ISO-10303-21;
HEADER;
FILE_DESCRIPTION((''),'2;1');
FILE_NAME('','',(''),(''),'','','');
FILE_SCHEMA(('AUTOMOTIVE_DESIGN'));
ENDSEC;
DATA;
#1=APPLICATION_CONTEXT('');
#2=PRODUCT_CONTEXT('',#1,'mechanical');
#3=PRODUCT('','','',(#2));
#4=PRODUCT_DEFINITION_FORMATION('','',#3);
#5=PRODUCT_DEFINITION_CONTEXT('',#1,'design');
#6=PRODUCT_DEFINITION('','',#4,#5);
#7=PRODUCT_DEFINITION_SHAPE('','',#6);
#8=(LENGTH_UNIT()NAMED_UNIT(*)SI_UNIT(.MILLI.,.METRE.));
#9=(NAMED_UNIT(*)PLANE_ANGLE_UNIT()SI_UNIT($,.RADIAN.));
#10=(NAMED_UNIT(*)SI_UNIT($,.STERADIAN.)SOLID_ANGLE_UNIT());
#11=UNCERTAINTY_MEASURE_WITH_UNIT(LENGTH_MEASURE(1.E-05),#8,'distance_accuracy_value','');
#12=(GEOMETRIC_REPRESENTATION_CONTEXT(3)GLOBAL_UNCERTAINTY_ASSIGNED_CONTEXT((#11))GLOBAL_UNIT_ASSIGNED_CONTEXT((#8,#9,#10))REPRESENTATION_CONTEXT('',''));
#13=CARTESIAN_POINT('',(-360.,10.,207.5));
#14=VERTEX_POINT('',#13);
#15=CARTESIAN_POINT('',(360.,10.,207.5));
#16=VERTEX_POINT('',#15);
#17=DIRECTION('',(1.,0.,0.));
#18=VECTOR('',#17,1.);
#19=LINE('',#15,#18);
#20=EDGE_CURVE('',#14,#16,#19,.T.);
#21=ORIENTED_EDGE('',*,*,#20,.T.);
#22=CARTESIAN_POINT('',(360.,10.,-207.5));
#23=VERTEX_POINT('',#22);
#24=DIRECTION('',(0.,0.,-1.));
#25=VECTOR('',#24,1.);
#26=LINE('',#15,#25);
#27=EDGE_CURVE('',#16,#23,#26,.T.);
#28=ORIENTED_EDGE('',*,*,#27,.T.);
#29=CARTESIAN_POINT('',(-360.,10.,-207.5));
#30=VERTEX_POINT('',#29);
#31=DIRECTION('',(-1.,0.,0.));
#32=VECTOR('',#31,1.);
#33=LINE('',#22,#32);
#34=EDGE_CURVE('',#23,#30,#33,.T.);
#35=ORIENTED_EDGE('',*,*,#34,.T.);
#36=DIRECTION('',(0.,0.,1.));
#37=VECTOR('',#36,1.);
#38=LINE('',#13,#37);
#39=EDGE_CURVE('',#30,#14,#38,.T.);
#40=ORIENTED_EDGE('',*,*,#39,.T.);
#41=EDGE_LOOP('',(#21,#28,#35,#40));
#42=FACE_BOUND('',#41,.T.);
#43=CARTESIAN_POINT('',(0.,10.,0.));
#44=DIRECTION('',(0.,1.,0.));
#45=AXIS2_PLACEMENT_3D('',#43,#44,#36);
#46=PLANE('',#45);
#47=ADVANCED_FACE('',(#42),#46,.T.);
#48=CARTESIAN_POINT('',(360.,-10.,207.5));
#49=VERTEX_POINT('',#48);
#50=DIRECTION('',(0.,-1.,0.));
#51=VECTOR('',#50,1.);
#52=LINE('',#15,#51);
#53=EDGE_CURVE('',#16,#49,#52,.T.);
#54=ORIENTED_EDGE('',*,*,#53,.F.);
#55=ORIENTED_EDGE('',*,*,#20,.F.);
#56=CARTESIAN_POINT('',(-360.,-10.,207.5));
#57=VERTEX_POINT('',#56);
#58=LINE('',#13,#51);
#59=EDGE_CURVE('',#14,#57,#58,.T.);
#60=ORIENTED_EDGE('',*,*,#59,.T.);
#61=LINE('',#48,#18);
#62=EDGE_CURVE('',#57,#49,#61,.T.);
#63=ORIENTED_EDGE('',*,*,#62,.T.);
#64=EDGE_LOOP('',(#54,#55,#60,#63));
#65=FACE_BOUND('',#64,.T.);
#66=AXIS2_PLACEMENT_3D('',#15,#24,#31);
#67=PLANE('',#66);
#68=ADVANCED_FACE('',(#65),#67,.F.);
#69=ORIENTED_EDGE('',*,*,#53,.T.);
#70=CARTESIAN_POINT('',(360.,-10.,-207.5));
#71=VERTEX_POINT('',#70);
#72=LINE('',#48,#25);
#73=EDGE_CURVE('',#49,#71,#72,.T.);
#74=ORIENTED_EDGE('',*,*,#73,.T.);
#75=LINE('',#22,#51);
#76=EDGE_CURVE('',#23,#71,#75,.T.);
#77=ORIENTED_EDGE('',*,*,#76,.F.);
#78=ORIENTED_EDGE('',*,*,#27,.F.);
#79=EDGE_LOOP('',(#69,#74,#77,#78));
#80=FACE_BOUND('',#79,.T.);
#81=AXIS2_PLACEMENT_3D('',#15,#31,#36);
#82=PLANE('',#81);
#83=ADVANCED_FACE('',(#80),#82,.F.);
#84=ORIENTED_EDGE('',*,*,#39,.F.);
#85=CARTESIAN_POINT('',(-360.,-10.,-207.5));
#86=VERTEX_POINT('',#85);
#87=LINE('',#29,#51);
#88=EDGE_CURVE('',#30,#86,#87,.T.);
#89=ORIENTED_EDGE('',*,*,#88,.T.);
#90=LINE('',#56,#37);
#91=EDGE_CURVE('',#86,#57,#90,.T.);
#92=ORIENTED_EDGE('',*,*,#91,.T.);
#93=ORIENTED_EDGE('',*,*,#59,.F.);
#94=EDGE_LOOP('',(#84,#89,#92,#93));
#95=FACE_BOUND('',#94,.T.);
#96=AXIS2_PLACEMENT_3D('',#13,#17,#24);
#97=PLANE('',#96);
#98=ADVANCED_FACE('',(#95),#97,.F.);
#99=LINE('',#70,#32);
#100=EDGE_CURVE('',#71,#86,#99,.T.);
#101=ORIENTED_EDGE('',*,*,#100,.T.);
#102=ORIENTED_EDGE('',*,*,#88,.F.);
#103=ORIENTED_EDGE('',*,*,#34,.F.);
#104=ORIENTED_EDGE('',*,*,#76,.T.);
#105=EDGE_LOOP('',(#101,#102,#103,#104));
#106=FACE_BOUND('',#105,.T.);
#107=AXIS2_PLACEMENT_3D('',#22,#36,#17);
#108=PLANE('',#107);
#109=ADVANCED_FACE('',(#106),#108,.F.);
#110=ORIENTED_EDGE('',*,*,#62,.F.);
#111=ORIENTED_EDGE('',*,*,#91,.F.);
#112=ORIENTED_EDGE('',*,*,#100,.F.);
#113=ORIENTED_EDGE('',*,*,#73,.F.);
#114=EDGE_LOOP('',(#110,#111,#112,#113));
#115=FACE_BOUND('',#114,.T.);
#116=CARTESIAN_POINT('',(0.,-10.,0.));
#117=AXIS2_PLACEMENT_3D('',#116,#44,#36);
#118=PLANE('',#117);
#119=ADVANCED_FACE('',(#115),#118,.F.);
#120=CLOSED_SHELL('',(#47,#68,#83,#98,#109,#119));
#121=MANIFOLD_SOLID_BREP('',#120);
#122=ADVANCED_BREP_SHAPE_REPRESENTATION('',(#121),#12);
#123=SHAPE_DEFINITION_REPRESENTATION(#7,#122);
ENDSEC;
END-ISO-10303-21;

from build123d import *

# Parameters (mm, degrees)
SKETCH1_W           = 720
SKETCH1_H           = 415
BOSS_EXTRUDE1_DEPTH = 10


with BuildPart() as part:
    # Sketch1 → Boss-Extrude1 (new body, symmetric)
    with BuildSketch(Plane(origin=(0, 0, 0), x_dir=(1, 0, 0), z_dir=(0, 1, 0))):
        Rectangle(SKETCH1_W, SKETCH1_H)
    extrude(amount=BOSS_EXTRUDE1_DEPTH, both=True)


solid = part.part
